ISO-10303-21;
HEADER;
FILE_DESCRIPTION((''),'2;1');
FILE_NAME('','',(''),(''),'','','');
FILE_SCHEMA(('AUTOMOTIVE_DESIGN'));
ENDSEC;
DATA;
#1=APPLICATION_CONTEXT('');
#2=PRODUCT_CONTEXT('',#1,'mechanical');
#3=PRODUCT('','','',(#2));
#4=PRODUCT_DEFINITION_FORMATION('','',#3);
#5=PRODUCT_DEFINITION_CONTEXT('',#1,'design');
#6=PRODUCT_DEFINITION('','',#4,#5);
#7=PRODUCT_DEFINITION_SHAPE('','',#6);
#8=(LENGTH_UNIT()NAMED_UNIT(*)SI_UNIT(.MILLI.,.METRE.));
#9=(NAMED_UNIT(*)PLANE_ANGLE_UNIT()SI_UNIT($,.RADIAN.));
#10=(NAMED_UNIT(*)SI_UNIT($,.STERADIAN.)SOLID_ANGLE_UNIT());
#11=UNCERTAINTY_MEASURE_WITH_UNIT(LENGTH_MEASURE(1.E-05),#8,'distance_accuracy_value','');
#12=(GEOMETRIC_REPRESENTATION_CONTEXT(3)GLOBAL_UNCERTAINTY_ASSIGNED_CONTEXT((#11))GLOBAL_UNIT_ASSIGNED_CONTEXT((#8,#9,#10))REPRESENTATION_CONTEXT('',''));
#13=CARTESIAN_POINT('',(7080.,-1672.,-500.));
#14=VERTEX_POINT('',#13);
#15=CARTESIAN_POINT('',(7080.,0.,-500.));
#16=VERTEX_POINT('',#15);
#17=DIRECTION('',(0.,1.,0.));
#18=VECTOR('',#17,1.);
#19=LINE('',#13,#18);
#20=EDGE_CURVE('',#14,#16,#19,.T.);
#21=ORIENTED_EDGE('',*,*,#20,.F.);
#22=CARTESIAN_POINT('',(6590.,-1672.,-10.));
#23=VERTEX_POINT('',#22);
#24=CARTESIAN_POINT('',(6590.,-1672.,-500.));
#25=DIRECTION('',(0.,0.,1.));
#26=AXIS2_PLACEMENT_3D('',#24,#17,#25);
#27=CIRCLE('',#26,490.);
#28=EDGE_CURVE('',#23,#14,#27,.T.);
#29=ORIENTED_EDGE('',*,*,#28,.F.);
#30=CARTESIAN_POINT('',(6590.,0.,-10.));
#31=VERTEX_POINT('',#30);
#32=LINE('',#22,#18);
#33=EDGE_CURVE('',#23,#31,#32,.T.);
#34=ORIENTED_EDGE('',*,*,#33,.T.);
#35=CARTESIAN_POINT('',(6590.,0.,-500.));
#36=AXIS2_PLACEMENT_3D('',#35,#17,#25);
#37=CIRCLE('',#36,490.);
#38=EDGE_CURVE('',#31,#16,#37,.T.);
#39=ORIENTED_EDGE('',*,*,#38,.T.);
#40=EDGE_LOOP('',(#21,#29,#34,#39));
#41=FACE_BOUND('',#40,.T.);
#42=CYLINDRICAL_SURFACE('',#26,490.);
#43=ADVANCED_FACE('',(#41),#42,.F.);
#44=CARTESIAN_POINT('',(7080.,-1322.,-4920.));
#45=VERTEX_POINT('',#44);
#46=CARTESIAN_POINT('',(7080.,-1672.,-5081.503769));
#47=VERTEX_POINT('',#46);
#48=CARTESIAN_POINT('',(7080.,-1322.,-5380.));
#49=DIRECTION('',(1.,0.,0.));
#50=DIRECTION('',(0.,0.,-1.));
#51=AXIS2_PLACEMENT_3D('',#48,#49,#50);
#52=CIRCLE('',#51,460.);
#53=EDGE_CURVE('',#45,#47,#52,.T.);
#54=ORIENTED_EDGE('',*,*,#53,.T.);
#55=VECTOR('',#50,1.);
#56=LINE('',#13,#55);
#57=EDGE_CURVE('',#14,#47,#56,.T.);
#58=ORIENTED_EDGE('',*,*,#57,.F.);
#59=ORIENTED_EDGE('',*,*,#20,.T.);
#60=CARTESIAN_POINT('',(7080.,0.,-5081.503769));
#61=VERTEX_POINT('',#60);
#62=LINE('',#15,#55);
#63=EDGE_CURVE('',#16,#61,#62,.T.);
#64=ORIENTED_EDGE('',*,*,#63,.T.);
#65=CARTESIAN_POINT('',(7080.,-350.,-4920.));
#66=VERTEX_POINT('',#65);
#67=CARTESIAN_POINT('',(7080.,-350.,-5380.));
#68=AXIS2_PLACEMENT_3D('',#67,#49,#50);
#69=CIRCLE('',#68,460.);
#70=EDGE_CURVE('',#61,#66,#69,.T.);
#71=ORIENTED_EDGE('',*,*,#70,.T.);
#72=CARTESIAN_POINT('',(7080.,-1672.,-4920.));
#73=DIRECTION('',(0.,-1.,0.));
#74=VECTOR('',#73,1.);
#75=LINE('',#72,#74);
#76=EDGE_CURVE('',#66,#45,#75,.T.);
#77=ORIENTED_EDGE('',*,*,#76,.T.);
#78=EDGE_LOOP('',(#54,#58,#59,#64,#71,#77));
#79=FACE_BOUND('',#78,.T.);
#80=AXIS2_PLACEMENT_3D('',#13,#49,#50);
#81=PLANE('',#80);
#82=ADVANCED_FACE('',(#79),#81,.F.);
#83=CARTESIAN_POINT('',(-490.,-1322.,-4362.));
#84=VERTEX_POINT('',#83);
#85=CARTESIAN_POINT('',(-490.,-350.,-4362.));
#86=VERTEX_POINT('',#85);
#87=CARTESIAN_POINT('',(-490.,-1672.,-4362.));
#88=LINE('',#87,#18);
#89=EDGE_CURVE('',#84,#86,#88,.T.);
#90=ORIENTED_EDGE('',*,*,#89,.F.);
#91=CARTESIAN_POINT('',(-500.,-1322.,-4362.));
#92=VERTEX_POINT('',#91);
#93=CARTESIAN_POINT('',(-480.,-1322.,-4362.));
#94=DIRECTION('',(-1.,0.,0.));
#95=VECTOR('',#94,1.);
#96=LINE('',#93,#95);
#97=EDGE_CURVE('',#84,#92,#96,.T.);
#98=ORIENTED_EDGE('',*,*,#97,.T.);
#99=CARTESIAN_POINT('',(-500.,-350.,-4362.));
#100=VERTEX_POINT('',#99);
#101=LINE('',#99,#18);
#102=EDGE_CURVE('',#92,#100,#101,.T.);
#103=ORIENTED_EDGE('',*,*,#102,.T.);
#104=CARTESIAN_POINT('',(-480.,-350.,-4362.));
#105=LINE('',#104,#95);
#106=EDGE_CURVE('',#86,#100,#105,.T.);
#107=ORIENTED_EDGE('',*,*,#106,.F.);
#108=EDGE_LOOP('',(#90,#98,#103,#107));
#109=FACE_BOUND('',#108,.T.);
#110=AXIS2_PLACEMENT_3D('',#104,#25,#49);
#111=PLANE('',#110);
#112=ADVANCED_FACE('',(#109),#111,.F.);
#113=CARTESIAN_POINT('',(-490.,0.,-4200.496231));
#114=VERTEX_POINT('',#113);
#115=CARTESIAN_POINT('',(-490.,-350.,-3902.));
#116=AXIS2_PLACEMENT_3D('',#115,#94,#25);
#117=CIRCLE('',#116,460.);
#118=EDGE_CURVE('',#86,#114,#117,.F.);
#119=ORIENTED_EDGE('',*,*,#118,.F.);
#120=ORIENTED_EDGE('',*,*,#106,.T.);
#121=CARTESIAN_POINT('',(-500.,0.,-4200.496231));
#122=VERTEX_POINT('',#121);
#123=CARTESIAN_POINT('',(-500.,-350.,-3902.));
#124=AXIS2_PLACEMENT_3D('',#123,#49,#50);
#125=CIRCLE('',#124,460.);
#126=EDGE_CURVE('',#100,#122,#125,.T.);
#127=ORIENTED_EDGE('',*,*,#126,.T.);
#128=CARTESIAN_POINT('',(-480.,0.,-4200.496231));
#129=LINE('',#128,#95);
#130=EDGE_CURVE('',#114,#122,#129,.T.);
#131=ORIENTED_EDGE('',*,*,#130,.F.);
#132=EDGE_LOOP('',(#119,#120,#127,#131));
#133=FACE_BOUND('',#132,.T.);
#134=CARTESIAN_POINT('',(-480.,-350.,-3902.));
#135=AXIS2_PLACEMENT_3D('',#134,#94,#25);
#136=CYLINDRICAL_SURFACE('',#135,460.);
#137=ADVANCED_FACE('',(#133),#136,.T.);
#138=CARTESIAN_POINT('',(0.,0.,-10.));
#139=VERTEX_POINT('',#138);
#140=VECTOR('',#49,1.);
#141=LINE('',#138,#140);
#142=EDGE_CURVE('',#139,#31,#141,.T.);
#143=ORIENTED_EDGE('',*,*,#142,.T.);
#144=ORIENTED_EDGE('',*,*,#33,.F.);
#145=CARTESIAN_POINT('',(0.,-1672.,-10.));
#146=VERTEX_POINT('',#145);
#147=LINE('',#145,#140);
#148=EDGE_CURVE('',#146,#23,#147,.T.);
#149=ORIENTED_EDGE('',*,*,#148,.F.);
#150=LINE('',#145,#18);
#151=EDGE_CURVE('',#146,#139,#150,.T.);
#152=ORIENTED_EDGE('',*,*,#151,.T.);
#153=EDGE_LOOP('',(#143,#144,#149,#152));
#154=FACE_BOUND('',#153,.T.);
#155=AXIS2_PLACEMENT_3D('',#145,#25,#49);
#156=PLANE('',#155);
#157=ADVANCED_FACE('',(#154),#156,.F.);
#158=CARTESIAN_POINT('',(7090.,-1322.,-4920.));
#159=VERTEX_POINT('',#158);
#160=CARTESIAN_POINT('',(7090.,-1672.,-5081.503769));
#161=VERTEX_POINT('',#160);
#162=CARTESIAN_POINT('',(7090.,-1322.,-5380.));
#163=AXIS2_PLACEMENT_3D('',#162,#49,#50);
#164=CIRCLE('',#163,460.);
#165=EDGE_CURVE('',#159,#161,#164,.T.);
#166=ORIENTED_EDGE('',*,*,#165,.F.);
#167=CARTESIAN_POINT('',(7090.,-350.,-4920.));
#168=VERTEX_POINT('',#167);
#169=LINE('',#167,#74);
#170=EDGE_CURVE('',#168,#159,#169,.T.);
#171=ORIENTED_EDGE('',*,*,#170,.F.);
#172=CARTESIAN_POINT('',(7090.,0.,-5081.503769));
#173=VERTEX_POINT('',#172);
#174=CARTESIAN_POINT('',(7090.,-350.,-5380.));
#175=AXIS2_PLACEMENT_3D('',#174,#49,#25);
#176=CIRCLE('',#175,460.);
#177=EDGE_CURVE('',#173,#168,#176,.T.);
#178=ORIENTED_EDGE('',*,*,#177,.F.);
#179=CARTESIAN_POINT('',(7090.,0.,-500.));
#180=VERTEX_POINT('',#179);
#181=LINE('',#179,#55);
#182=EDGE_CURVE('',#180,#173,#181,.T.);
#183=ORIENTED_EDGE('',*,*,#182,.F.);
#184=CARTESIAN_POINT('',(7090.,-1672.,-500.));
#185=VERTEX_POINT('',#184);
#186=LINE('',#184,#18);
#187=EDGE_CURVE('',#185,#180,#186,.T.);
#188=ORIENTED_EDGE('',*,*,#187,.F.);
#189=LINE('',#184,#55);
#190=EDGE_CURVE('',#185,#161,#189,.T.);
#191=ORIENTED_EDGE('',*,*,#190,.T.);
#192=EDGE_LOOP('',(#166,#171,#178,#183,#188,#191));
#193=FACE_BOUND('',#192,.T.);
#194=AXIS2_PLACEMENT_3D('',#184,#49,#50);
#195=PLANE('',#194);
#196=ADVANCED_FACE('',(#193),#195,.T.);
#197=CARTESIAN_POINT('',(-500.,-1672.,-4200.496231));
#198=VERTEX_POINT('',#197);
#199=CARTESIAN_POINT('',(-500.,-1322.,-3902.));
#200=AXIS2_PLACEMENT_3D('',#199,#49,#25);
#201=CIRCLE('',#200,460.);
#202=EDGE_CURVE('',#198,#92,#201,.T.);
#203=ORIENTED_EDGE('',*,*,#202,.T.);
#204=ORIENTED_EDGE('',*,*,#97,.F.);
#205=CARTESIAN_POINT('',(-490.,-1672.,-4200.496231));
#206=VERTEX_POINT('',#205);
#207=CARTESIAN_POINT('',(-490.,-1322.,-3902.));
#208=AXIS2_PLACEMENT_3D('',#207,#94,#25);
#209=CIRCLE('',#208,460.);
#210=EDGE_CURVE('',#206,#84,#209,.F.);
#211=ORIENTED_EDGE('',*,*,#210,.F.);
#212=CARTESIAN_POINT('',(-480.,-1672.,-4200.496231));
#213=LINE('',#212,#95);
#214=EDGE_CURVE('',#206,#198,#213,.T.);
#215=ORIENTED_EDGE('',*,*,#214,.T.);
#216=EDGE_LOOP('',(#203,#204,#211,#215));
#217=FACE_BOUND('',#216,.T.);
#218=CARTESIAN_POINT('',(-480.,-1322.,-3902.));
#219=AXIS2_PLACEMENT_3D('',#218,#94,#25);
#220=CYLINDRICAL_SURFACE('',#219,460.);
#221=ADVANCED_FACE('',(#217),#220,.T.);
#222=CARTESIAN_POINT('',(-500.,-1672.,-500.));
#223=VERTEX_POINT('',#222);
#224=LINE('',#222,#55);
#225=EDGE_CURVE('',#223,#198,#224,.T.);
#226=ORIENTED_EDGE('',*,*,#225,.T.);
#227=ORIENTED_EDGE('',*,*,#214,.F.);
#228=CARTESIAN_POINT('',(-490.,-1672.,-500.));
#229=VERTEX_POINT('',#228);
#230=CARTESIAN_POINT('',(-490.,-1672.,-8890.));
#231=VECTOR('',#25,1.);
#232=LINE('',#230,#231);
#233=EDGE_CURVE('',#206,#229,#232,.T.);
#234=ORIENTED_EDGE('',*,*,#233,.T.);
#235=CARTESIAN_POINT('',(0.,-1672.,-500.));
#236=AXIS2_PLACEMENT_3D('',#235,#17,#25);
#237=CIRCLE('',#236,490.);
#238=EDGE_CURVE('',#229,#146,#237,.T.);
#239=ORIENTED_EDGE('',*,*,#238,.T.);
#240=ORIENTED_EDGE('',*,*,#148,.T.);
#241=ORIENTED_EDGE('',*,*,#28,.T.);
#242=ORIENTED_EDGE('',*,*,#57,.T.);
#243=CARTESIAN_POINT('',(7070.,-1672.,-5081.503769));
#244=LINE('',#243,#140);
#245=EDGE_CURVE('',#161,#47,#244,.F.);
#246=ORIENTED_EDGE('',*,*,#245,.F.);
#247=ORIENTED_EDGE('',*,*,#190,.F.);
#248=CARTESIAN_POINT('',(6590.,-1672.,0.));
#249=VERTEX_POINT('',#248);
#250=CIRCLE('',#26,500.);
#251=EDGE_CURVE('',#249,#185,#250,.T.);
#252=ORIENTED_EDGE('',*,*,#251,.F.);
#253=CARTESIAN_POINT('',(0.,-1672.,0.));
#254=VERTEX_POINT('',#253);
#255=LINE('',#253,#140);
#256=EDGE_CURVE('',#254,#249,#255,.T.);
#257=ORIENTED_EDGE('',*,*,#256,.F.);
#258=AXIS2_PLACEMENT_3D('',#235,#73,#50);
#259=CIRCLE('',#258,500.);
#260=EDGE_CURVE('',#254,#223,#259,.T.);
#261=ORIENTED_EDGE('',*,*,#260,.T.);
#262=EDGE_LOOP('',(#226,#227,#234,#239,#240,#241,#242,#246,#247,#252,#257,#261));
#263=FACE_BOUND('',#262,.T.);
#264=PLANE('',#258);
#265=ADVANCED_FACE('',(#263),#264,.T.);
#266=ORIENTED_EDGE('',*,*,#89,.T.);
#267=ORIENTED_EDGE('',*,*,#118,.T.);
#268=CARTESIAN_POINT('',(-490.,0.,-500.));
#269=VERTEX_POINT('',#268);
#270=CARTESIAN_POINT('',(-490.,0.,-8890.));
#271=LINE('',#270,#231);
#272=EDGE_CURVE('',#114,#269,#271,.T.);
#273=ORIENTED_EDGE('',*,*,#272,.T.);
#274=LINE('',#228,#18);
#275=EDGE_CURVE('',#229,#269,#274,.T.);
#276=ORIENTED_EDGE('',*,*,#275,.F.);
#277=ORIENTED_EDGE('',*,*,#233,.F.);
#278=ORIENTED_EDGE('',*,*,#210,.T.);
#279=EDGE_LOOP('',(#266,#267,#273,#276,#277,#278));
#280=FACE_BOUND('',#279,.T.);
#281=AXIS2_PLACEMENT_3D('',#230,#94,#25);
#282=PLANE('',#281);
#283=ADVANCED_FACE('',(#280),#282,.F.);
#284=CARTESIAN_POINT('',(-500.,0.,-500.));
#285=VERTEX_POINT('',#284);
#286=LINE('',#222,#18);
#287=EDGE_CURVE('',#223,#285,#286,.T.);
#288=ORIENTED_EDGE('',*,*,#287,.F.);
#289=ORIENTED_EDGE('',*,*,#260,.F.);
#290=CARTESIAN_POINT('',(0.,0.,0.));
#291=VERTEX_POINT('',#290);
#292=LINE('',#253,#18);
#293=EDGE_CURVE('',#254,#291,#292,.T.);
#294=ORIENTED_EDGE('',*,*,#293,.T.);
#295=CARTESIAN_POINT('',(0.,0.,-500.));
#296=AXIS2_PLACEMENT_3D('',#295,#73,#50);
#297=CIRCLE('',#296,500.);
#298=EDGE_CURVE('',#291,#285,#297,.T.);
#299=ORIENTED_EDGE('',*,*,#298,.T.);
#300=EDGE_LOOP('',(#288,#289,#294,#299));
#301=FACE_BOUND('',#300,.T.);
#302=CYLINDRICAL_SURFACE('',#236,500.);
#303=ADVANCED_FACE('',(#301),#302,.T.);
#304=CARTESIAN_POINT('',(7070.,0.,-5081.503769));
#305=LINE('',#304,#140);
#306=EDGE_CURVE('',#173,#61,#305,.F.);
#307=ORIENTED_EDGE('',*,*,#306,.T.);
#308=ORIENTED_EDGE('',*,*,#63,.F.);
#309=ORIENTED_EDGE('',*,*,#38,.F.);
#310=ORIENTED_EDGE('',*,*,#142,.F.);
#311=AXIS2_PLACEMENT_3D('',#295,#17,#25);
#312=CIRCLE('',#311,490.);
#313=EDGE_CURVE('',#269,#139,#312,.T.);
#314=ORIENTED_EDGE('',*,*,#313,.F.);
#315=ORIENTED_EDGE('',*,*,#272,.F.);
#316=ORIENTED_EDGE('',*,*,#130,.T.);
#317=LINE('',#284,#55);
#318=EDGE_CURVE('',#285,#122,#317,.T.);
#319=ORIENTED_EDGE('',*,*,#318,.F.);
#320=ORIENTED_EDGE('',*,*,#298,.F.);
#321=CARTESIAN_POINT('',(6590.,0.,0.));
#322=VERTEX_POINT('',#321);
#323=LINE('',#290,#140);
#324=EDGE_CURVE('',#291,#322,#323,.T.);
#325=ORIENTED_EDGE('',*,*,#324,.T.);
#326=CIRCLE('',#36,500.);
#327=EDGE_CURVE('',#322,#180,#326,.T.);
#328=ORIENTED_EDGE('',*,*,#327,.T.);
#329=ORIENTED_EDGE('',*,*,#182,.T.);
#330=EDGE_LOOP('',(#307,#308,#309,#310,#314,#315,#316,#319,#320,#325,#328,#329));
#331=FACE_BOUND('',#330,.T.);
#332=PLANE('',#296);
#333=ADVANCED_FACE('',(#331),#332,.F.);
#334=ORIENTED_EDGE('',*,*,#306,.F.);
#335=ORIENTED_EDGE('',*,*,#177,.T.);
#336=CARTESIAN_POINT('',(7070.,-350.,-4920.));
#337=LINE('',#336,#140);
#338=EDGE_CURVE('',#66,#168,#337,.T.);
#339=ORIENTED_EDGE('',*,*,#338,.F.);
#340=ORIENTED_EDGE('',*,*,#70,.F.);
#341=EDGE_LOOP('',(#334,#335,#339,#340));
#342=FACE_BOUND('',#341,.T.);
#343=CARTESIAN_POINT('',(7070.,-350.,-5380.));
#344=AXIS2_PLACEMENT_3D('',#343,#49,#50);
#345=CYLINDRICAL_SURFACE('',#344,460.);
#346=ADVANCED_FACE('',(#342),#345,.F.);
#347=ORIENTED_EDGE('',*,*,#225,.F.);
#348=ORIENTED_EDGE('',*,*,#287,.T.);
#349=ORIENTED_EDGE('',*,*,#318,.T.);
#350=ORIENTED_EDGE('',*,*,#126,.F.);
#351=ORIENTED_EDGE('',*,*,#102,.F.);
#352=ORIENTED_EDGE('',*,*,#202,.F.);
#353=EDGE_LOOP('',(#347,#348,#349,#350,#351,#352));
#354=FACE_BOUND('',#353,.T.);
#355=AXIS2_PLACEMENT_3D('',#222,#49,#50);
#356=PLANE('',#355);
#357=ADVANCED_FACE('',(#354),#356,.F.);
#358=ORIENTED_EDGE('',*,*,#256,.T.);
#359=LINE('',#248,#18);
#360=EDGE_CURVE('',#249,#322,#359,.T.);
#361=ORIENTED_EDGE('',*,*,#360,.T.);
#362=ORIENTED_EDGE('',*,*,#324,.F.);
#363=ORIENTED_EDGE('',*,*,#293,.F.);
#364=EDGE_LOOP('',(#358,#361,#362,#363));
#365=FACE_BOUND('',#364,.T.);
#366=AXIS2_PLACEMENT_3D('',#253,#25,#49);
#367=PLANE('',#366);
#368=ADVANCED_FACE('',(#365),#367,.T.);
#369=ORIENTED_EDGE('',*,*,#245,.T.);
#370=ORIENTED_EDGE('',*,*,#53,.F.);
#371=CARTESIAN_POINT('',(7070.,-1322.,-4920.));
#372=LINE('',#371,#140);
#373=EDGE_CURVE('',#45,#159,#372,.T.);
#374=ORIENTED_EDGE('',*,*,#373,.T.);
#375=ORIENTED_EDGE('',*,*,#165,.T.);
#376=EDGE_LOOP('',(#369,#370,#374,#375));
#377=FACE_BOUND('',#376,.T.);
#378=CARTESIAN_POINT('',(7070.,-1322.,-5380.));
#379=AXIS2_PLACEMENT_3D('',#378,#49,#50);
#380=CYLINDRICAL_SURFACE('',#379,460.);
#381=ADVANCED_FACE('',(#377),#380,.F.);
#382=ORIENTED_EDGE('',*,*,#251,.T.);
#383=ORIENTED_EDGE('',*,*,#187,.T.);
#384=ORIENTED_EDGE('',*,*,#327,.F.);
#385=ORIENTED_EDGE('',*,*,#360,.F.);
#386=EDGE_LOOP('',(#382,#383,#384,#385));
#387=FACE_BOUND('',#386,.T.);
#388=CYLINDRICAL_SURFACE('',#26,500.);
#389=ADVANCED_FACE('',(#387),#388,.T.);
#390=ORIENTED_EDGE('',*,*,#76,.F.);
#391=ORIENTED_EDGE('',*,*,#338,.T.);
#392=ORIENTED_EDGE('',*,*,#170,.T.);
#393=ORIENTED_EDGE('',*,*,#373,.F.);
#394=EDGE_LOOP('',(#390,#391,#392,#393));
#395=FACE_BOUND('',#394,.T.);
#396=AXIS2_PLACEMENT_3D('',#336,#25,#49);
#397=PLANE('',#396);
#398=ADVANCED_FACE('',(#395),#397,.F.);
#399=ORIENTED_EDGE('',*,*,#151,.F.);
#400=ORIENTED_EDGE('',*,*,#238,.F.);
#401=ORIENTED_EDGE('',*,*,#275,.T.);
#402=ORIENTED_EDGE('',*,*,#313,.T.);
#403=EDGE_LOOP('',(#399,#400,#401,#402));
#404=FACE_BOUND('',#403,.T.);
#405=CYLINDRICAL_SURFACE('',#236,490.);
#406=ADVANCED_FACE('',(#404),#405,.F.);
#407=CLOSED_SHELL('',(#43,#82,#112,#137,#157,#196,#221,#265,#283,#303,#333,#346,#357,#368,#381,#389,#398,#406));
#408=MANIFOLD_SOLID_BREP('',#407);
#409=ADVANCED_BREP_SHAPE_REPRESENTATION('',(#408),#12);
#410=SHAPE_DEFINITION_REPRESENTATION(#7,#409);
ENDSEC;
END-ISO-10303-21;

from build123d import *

# Parameters (mm, degrees)
BOSS_EXTRUDE2_DEPTH = 1672
CUT_EXTRUDE2_DEPTH  = 20
CUT_EXTRUDE3_DEPTH  = 20


with BuildPart() as part:
    # Sketch2 → Boss-Extrude2 (new body)
    with BuildSketch(Plane(origin=(0, 0, 0), x_dir=(1, 0, 0), z_dir=(0, 1, 0))):
        with BuildLine():
            Line((0, 0), (6590, 0))
            ThreePointArc((6590, 0), (6943.553390593, 146.446609407), (7090, 500))
            Line((7090, 500), (7090, 8890))
            Line((7090, 8890), (7080, 8890))
            Line((7080, 8890), (7080, 500))
            ThreePointArc((7080, 500), (6936.482322781, 153.517677219), (6590, 10))
            Line((6590, 10), (0, 10))
            ThreePointArc((0, 10), (-346.482322781, 153.517677219), (-490, 500))
            Line((-490, 500), (-490, 8890))
            Line((-490, 8890), (-500, 8890))
            Line((-500, 8890), (-500, 500))
            ThreePointArc((-500, 500), (-353.553390593, 146.446609407), (0, 0))
        make_face()
    extrude(amount=-BOSS_EXTRUDE2_DEPTH)

    # Sketch3 → Cut-Extrude2 (cut)
    with BuildSketch(Plane.ZY.offset(500)):
        with BuildLine():
            Line((-4822, 110), (-3902, 110))
            ThreePointArc((-3902, 110), (-4227.269119346, -24.730880654), (-4362, -350))
            Line((-4362, -350), (-4362, -1322))
            ThreePointArc((-4362, -1322), (-4260.95507876, -1609.665172436), (-4002.211950294, -1770.951628818))
            Line((-4002.211950294, -1770.951628818), (-4822, -1782))
            Line((-4822, -1782), (-9056.882603438, -1782))
            Line((-9056.882603438, -1782), (-9056.882603438, 110))
            Line((-9056.882603438, 110), (-4822, 110))
        make_face()
    extrude(amount=-CUT_EXTRUDE2_DEPTH, mode=Mode.SUBTRACT)

    # Sketch4 → Cut-Extrude3 (cut)
    with BuildSketch(Plane(origin=(7090, 0, 0), x_dir=(0, 0, -1), z_dir=(1, 0, 0))):
        with BuildLine():
            Line((5380, 110), (9554.66965043, 110))
            Line((9554.66965043, 110), (9554.66965043, -1782))
            Line((9554.66965043, -1782), (5380, -1782))
            ThreePointArc((5380, -1782), (5054.730880654, -1647.269119346), (4920, -1322))
            Line((4920, -1322), (4920, -350))
            ThreePointArc((4920, -350), (5054.730880654, -24.730880654), (5380, 110))
        make_face()
    extrude(amount=-CUT_EXTRUDE3_DEPTH, mode=Mode.SUBTRACT)


solid = part.part
